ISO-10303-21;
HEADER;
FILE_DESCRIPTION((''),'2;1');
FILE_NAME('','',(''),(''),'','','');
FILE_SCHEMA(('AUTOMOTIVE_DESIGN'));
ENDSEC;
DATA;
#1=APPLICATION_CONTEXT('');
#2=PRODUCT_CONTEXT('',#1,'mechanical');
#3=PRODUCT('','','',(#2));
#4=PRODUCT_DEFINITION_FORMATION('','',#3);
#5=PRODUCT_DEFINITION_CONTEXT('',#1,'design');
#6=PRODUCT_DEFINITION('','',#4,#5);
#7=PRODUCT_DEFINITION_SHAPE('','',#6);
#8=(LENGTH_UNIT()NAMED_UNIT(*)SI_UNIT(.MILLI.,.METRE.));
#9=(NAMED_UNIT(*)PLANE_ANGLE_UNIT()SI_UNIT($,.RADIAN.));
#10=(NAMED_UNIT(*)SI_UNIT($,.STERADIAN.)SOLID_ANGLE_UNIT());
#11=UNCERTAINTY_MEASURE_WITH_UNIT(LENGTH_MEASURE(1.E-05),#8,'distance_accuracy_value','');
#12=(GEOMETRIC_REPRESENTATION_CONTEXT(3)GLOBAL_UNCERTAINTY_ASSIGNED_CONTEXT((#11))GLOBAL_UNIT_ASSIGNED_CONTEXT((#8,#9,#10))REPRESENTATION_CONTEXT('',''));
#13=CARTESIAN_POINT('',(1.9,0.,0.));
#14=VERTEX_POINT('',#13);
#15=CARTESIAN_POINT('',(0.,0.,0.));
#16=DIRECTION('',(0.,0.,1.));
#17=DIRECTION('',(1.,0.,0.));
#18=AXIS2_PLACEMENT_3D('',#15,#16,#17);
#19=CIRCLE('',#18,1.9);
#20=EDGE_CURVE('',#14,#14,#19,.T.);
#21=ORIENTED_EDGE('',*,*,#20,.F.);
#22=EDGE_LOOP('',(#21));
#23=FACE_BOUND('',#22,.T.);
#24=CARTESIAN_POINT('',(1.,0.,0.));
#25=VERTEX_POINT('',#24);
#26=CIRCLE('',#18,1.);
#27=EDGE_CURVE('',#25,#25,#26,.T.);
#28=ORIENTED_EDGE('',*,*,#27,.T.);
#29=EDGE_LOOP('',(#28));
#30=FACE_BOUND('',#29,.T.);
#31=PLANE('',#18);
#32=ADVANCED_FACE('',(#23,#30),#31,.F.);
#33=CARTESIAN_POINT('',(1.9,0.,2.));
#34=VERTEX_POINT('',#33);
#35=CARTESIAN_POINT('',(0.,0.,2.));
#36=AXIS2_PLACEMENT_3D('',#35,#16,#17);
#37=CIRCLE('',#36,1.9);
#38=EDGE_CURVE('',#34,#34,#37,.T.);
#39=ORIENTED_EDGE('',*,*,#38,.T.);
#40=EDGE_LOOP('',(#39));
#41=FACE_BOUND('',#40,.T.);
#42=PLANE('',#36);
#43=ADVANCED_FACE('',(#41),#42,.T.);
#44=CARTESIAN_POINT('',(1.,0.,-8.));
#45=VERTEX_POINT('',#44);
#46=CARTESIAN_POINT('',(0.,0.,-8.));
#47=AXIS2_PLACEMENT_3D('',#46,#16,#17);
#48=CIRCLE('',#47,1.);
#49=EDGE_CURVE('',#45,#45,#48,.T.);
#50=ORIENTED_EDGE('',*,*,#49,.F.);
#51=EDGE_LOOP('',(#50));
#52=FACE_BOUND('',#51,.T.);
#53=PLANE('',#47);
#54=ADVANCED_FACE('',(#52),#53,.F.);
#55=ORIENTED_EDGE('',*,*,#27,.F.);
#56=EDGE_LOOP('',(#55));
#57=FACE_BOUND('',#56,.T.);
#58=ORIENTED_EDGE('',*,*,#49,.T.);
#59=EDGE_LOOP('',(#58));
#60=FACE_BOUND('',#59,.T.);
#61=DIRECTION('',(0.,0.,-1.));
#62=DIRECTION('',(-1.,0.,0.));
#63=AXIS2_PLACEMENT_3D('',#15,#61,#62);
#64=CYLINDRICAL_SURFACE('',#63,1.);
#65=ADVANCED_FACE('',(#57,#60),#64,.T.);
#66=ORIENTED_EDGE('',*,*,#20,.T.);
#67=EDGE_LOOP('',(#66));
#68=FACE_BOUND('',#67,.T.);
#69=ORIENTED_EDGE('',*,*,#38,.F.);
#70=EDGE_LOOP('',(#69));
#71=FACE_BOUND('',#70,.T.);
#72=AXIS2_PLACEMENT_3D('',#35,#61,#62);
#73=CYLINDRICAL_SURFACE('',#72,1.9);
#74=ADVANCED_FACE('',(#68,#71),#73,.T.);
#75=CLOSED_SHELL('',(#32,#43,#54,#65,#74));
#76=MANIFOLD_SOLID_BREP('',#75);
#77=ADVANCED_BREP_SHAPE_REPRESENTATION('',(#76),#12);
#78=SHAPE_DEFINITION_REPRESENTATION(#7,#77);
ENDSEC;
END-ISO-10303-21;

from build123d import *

# Parameters (mm, degrees)
SHANK_NOMINAL_THREAD_ENVELOPE_START     = -8
SHANK_NOMINAL_THREAD_ENVELOPE_PROFILE_R = 1
SHANK_NOMINAL_THREAD_ENVELOPE_DEPTH     = 8
SOCKET_HEAD_ENVELOPE_PROFILE_R          = 1.9
SOCKET_HEAD_ENVELOPE_DEPTH              = 2


with BuildPart() as part:
    # Shank_nominal_thread_envelope_profile → Shank_nominal_thread_envelope (new body)
    with BuildSketch(Plane.XY.offset(SHANK_NOMINAL_THREAD_ENVELOPE_START)):
        Circle(SHANK_NOMINAL_THREAD_ENVELOPE_PROFILE_R)
    extrude(amount=SHANK_NOMINAL_THREAD_ENVELOPE_DEPTH)

    # Socket_head_envelope_profile → Socket_head_envelope (add)
    with BuildSketch(Plane.XY):
        Circle(SOCKET_HEAD_ENVELOPE_PROFILE_R)
    extrude(amount=SOCKET_HEAD_ENVELOPE_DEPTH)


solid = part.part
